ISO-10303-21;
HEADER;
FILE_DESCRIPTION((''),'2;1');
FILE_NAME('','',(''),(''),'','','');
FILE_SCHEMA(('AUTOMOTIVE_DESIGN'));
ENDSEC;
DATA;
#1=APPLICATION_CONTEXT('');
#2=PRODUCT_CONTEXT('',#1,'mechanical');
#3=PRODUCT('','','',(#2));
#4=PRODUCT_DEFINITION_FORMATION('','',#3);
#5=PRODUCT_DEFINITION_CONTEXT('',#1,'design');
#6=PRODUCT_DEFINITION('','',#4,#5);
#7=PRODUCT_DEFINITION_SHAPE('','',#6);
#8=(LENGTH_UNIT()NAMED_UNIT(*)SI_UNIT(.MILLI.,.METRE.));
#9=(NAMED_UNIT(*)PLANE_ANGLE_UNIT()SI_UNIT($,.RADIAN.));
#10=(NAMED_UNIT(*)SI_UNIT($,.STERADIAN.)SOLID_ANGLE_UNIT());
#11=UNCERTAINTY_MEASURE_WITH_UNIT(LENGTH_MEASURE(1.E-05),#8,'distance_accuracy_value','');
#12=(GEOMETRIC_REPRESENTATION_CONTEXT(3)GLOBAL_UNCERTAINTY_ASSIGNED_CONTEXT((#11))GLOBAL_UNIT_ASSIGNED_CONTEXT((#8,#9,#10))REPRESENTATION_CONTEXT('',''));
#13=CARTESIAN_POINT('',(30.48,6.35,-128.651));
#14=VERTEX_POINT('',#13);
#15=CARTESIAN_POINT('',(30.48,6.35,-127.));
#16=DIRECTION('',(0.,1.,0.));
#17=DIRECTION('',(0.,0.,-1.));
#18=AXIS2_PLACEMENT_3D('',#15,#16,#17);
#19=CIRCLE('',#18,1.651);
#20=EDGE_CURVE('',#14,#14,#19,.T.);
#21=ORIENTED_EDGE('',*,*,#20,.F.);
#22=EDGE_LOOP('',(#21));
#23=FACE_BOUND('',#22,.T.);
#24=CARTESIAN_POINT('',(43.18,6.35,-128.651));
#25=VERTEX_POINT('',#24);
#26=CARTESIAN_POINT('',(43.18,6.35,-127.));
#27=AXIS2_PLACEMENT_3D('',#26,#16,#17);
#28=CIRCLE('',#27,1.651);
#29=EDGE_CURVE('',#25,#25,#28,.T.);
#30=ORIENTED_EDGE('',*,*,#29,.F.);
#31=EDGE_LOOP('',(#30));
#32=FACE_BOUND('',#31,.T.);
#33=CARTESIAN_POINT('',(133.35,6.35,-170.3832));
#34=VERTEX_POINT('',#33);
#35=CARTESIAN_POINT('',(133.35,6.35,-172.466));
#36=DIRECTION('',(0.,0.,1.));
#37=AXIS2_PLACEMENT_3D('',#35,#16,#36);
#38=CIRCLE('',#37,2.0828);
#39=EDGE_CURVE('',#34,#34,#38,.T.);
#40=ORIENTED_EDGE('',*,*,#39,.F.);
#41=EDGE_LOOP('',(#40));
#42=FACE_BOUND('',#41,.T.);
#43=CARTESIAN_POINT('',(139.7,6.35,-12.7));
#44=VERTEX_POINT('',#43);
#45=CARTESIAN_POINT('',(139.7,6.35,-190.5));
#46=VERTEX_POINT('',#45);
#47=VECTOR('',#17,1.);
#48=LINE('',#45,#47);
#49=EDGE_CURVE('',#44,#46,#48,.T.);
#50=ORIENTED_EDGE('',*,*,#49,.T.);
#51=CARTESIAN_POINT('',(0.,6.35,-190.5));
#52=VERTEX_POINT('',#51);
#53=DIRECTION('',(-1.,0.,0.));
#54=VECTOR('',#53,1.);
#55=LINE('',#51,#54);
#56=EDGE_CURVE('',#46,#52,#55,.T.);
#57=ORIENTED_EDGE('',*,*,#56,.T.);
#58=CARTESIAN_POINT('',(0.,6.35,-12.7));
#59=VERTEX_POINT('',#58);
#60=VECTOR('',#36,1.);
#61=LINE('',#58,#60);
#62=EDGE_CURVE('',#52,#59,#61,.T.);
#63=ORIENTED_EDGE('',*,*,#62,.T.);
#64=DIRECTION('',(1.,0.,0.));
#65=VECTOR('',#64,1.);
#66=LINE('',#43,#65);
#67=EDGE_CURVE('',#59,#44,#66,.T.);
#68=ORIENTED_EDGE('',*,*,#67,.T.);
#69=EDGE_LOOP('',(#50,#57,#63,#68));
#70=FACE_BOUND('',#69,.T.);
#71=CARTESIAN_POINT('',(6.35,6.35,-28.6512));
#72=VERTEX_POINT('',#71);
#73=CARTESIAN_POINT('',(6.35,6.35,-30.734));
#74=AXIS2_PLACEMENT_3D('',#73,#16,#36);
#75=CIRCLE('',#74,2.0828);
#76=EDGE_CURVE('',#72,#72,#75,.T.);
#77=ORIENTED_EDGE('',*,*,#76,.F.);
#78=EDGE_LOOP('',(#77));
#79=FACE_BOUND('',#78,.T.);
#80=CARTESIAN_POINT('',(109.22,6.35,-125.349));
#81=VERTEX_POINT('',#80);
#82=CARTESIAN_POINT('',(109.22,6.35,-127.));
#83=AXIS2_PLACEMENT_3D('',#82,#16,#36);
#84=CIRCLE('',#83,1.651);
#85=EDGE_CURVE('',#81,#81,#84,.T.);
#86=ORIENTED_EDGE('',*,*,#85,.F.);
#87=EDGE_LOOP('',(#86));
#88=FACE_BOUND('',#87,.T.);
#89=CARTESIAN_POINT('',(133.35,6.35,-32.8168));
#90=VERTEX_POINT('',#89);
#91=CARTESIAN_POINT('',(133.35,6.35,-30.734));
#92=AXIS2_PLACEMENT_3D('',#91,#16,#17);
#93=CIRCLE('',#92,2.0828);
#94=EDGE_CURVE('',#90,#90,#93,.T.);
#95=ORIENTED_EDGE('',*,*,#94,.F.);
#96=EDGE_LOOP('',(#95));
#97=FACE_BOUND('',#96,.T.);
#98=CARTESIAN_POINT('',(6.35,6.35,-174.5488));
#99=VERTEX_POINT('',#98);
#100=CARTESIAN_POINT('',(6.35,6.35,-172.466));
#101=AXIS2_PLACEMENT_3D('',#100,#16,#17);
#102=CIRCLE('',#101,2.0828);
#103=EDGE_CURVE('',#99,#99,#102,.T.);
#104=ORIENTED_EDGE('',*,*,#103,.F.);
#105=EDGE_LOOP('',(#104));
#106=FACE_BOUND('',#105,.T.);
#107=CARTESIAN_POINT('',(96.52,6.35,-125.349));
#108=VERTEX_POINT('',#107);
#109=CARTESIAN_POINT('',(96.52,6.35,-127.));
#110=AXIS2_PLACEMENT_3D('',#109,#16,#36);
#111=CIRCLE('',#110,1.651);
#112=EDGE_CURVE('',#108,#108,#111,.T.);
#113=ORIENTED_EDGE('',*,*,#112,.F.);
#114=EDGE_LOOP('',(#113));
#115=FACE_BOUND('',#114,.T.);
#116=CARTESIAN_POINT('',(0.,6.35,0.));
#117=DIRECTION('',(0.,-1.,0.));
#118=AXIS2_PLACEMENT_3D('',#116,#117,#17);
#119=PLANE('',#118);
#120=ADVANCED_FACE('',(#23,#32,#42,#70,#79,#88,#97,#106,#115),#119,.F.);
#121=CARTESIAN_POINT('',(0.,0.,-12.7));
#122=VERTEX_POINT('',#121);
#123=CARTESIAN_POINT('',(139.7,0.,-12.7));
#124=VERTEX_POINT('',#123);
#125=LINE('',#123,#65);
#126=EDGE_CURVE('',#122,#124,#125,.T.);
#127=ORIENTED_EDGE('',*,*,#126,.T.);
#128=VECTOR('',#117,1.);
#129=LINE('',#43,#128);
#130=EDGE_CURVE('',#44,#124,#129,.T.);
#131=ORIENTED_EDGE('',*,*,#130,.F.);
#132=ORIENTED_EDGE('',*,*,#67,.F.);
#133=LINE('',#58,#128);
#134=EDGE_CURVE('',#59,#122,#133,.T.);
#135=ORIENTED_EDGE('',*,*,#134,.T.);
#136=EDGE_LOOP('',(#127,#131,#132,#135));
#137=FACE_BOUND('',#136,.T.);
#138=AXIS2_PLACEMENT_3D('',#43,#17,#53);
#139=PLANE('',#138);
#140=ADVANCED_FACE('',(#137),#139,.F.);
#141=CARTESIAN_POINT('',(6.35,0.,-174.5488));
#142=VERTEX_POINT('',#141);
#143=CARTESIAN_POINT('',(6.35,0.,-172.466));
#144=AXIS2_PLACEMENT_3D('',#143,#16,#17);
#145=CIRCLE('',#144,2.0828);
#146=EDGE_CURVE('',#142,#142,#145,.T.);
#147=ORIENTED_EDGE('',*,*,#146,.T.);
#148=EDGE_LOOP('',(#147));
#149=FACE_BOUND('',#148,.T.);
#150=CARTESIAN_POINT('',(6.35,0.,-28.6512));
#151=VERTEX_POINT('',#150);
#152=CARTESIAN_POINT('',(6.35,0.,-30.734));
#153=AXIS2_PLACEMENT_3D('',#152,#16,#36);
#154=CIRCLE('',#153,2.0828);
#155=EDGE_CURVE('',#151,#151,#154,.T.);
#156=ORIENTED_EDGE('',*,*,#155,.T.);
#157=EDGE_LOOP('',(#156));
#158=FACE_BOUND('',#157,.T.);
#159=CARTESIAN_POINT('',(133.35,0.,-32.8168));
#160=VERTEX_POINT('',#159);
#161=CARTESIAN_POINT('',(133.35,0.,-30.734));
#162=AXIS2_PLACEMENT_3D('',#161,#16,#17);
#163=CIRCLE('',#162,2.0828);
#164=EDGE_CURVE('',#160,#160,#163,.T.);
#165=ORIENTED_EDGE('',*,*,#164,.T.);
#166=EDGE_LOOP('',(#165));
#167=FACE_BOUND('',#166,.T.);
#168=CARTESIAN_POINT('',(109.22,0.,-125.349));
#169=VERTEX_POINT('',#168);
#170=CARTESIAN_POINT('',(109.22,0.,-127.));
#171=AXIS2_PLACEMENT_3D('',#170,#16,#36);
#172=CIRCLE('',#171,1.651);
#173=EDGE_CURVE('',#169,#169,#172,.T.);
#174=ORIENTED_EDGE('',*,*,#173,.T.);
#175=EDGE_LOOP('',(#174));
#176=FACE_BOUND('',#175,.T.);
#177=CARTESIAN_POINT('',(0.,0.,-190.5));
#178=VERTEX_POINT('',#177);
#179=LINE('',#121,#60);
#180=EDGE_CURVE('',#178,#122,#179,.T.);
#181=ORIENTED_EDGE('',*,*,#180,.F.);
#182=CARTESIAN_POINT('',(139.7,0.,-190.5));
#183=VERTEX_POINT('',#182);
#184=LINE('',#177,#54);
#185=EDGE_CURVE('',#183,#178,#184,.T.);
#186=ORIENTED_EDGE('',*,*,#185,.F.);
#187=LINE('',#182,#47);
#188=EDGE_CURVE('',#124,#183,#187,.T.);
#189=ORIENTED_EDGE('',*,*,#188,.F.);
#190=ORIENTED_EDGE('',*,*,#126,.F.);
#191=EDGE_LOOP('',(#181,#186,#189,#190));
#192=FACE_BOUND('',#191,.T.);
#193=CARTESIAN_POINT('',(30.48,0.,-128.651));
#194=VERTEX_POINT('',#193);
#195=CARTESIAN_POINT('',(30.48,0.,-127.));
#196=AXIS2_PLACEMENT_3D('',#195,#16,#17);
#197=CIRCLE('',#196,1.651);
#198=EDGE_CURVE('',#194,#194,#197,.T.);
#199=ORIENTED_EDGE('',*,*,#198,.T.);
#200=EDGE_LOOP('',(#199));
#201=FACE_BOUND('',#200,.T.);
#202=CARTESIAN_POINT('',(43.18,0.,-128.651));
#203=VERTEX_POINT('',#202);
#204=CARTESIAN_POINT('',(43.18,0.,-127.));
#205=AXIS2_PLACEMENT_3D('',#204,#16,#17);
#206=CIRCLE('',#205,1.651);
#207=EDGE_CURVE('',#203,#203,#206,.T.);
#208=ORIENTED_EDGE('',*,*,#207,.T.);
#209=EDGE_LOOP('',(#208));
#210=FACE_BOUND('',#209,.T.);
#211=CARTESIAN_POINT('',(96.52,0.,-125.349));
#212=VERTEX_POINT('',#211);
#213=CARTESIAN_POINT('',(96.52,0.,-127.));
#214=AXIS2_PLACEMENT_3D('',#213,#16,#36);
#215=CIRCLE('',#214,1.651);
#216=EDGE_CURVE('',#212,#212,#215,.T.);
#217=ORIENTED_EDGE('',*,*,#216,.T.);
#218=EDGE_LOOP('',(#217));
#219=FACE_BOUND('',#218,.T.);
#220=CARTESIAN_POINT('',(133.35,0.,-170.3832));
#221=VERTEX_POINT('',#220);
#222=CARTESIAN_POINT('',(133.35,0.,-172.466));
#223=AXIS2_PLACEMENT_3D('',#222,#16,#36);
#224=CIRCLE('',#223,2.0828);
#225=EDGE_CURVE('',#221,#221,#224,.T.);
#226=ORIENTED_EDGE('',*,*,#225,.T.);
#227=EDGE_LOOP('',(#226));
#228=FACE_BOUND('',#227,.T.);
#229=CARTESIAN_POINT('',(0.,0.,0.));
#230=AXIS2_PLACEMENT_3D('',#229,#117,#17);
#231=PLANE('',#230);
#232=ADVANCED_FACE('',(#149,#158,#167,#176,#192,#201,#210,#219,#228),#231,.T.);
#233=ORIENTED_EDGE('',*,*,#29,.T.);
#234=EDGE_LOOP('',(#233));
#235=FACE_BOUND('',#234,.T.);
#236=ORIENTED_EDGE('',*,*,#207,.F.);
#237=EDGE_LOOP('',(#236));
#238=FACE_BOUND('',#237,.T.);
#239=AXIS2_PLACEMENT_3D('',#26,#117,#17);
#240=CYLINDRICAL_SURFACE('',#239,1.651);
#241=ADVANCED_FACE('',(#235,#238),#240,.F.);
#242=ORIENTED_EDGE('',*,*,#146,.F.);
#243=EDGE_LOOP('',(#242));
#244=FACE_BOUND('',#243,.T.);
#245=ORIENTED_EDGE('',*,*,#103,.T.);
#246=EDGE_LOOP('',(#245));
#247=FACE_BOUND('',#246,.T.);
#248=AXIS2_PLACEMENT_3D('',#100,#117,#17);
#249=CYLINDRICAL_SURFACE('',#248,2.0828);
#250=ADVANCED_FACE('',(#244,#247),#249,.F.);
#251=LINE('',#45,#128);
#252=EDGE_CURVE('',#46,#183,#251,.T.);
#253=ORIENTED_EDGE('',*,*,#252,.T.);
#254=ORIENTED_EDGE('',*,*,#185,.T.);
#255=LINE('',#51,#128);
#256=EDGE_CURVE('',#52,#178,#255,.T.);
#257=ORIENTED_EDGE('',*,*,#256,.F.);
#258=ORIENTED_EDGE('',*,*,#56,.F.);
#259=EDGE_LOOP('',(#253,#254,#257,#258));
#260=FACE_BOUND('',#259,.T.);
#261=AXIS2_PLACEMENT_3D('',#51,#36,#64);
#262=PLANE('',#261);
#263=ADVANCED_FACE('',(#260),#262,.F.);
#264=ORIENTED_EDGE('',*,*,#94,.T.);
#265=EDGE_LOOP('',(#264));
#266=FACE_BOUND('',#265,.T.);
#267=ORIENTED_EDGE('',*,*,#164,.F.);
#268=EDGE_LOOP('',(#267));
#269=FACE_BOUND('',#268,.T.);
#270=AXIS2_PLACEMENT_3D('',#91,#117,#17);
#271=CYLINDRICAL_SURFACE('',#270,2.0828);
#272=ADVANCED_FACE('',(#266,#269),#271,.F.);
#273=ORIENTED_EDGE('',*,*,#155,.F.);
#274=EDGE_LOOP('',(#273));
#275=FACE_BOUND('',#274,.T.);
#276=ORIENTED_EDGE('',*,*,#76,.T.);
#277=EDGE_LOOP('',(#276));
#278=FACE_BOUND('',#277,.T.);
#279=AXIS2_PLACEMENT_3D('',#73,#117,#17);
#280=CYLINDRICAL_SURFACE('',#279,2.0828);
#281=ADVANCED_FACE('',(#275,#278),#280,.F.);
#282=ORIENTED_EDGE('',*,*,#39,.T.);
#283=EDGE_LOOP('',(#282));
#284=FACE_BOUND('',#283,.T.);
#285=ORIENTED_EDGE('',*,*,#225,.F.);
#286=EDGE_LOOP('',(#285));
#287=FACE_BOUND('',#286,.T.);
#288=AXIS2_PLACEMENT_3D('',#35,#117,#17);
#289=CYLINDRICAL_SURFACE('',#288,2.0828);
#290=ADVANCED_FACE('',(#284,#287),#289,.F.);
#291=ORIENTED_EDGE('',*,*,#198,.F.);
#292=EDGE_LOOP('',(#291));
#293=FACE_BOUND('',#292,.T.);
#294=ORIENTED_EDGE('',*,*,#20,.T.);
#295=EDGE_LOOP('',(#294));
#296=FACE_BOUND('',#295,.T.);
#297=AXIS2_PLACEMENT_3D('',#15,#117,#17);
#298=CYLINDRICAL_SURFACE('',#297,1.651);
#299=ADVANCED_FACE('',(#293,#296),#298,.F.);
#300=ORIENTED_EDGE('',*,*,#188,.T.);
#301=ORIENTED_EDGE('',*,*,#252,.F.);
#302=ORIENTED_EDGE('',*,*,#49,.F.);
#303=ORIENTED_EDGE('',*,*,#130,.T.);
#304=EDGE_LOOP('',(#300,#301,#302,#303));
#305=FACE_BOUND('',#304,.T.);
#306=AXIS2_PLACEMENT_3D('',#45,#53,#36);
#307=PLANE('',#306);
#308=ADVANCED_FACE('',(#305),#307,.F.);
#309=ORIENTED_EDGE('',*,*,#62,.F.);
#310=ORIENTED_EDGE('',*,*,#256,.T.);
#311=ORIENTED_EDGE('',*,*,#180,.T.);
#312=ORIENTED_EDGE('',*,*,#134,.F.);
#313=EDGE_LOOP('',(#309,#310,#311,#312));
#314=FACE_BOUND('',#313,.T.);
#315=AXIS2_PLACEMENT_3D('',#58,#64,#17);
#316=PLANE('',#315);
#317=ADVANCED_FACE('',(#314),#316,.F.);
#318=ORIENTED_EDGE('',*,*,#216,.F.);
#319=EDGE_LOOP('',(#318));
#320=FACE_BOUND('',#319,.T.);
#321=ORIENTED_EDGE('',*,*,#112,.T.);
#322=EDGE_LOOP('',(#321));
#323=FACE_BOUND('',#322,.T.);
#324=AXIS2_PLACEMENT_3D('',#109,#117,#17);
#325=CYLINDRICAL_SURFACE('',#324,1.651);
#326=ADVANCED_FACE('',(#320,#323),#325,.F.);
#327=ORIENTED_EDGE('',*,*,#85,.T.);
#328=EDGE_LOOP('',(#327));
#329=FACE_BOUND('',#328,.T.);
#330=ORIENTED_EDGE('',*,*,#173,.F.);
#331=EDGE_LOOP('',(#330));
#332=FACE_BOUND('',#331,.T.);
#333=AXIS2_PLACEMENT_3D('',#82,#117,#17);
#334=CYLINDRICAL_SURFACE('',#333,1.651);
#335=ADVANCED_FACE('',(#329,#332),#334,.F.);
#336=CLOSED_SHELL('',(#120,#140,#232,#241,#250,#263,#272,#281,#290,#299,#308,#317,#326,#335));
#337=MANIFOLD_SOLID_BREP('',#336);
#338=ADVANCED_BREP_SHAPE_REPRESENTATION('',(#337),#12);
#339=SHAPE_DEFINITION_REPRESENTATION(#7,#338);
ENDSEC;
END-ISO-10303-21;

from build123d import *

# Parameters (mm, degrees)
SKETCH1_W           = 139.7
SKETCH1_H           = 177.8
SKETCH1_R           = 2.0828
SKETCH1_R_2         = 1.651
BOSS_EXTRUDE1_DEPTH = 6.35


with BuildPart() as part:
    # Sketch1 → Boss-Extrude1 (new body)
    with BuildSketch(Plane(origin=(0, 0, 0), x_dir=(1, 0, 0), z_dir=(0, 1, 0))):
        with Locations((69.85, 101.6)):
            Rectangle(SKETCH1_W, SKETCH1_H)
        with Locations(Location((133.35, 172.466, 0), (0, 0, 270))):
            Circle(SKETCH1_R, mode=Mode.SUBTRACT)
        with Locations(Location((133.35, 30.734, 0), (0, 0, 90))):
            Circle(SKETCH1_R, mode=Mode.SUBTRACT)
        with Locations(Location((6.35, 172.466, 0), (0, 0, 90))):
            Circle(SKETCH1_R, mode=Mode.SUBTRACT)
        with Locations(Location((6.35, 30.734, 0), (0, 0, 270))):
            Circle(SKETCH1_R, mode=Mode.SUBTRACT)
        with Locations(Location((43.18, 127, 0), (0, 0, 90))):
            Circle(SKETCH1_R_2, mode=Mode.SUBTRACT)
        with Locations(Location((109.22, 127, 0), (0, 0, 270))):
            Circle(SKETCH1_R_2, mode=Mode.SUBTRACT)
        with Locations(Location((96.52, 127, 0), (0, 0, 270))):
            Circle(SKETCH1_R_2, mode=Mode.SUBTRACT)
        with Locations(Location((30.48, 127, 0), (0, 0, 90))):
            Circle(SKETCH1_R_2, mode=Mode.SUBTRACT)
    extrude(amount=BOSS_EXTRUDE1_DEPTH)


solid = part.part
